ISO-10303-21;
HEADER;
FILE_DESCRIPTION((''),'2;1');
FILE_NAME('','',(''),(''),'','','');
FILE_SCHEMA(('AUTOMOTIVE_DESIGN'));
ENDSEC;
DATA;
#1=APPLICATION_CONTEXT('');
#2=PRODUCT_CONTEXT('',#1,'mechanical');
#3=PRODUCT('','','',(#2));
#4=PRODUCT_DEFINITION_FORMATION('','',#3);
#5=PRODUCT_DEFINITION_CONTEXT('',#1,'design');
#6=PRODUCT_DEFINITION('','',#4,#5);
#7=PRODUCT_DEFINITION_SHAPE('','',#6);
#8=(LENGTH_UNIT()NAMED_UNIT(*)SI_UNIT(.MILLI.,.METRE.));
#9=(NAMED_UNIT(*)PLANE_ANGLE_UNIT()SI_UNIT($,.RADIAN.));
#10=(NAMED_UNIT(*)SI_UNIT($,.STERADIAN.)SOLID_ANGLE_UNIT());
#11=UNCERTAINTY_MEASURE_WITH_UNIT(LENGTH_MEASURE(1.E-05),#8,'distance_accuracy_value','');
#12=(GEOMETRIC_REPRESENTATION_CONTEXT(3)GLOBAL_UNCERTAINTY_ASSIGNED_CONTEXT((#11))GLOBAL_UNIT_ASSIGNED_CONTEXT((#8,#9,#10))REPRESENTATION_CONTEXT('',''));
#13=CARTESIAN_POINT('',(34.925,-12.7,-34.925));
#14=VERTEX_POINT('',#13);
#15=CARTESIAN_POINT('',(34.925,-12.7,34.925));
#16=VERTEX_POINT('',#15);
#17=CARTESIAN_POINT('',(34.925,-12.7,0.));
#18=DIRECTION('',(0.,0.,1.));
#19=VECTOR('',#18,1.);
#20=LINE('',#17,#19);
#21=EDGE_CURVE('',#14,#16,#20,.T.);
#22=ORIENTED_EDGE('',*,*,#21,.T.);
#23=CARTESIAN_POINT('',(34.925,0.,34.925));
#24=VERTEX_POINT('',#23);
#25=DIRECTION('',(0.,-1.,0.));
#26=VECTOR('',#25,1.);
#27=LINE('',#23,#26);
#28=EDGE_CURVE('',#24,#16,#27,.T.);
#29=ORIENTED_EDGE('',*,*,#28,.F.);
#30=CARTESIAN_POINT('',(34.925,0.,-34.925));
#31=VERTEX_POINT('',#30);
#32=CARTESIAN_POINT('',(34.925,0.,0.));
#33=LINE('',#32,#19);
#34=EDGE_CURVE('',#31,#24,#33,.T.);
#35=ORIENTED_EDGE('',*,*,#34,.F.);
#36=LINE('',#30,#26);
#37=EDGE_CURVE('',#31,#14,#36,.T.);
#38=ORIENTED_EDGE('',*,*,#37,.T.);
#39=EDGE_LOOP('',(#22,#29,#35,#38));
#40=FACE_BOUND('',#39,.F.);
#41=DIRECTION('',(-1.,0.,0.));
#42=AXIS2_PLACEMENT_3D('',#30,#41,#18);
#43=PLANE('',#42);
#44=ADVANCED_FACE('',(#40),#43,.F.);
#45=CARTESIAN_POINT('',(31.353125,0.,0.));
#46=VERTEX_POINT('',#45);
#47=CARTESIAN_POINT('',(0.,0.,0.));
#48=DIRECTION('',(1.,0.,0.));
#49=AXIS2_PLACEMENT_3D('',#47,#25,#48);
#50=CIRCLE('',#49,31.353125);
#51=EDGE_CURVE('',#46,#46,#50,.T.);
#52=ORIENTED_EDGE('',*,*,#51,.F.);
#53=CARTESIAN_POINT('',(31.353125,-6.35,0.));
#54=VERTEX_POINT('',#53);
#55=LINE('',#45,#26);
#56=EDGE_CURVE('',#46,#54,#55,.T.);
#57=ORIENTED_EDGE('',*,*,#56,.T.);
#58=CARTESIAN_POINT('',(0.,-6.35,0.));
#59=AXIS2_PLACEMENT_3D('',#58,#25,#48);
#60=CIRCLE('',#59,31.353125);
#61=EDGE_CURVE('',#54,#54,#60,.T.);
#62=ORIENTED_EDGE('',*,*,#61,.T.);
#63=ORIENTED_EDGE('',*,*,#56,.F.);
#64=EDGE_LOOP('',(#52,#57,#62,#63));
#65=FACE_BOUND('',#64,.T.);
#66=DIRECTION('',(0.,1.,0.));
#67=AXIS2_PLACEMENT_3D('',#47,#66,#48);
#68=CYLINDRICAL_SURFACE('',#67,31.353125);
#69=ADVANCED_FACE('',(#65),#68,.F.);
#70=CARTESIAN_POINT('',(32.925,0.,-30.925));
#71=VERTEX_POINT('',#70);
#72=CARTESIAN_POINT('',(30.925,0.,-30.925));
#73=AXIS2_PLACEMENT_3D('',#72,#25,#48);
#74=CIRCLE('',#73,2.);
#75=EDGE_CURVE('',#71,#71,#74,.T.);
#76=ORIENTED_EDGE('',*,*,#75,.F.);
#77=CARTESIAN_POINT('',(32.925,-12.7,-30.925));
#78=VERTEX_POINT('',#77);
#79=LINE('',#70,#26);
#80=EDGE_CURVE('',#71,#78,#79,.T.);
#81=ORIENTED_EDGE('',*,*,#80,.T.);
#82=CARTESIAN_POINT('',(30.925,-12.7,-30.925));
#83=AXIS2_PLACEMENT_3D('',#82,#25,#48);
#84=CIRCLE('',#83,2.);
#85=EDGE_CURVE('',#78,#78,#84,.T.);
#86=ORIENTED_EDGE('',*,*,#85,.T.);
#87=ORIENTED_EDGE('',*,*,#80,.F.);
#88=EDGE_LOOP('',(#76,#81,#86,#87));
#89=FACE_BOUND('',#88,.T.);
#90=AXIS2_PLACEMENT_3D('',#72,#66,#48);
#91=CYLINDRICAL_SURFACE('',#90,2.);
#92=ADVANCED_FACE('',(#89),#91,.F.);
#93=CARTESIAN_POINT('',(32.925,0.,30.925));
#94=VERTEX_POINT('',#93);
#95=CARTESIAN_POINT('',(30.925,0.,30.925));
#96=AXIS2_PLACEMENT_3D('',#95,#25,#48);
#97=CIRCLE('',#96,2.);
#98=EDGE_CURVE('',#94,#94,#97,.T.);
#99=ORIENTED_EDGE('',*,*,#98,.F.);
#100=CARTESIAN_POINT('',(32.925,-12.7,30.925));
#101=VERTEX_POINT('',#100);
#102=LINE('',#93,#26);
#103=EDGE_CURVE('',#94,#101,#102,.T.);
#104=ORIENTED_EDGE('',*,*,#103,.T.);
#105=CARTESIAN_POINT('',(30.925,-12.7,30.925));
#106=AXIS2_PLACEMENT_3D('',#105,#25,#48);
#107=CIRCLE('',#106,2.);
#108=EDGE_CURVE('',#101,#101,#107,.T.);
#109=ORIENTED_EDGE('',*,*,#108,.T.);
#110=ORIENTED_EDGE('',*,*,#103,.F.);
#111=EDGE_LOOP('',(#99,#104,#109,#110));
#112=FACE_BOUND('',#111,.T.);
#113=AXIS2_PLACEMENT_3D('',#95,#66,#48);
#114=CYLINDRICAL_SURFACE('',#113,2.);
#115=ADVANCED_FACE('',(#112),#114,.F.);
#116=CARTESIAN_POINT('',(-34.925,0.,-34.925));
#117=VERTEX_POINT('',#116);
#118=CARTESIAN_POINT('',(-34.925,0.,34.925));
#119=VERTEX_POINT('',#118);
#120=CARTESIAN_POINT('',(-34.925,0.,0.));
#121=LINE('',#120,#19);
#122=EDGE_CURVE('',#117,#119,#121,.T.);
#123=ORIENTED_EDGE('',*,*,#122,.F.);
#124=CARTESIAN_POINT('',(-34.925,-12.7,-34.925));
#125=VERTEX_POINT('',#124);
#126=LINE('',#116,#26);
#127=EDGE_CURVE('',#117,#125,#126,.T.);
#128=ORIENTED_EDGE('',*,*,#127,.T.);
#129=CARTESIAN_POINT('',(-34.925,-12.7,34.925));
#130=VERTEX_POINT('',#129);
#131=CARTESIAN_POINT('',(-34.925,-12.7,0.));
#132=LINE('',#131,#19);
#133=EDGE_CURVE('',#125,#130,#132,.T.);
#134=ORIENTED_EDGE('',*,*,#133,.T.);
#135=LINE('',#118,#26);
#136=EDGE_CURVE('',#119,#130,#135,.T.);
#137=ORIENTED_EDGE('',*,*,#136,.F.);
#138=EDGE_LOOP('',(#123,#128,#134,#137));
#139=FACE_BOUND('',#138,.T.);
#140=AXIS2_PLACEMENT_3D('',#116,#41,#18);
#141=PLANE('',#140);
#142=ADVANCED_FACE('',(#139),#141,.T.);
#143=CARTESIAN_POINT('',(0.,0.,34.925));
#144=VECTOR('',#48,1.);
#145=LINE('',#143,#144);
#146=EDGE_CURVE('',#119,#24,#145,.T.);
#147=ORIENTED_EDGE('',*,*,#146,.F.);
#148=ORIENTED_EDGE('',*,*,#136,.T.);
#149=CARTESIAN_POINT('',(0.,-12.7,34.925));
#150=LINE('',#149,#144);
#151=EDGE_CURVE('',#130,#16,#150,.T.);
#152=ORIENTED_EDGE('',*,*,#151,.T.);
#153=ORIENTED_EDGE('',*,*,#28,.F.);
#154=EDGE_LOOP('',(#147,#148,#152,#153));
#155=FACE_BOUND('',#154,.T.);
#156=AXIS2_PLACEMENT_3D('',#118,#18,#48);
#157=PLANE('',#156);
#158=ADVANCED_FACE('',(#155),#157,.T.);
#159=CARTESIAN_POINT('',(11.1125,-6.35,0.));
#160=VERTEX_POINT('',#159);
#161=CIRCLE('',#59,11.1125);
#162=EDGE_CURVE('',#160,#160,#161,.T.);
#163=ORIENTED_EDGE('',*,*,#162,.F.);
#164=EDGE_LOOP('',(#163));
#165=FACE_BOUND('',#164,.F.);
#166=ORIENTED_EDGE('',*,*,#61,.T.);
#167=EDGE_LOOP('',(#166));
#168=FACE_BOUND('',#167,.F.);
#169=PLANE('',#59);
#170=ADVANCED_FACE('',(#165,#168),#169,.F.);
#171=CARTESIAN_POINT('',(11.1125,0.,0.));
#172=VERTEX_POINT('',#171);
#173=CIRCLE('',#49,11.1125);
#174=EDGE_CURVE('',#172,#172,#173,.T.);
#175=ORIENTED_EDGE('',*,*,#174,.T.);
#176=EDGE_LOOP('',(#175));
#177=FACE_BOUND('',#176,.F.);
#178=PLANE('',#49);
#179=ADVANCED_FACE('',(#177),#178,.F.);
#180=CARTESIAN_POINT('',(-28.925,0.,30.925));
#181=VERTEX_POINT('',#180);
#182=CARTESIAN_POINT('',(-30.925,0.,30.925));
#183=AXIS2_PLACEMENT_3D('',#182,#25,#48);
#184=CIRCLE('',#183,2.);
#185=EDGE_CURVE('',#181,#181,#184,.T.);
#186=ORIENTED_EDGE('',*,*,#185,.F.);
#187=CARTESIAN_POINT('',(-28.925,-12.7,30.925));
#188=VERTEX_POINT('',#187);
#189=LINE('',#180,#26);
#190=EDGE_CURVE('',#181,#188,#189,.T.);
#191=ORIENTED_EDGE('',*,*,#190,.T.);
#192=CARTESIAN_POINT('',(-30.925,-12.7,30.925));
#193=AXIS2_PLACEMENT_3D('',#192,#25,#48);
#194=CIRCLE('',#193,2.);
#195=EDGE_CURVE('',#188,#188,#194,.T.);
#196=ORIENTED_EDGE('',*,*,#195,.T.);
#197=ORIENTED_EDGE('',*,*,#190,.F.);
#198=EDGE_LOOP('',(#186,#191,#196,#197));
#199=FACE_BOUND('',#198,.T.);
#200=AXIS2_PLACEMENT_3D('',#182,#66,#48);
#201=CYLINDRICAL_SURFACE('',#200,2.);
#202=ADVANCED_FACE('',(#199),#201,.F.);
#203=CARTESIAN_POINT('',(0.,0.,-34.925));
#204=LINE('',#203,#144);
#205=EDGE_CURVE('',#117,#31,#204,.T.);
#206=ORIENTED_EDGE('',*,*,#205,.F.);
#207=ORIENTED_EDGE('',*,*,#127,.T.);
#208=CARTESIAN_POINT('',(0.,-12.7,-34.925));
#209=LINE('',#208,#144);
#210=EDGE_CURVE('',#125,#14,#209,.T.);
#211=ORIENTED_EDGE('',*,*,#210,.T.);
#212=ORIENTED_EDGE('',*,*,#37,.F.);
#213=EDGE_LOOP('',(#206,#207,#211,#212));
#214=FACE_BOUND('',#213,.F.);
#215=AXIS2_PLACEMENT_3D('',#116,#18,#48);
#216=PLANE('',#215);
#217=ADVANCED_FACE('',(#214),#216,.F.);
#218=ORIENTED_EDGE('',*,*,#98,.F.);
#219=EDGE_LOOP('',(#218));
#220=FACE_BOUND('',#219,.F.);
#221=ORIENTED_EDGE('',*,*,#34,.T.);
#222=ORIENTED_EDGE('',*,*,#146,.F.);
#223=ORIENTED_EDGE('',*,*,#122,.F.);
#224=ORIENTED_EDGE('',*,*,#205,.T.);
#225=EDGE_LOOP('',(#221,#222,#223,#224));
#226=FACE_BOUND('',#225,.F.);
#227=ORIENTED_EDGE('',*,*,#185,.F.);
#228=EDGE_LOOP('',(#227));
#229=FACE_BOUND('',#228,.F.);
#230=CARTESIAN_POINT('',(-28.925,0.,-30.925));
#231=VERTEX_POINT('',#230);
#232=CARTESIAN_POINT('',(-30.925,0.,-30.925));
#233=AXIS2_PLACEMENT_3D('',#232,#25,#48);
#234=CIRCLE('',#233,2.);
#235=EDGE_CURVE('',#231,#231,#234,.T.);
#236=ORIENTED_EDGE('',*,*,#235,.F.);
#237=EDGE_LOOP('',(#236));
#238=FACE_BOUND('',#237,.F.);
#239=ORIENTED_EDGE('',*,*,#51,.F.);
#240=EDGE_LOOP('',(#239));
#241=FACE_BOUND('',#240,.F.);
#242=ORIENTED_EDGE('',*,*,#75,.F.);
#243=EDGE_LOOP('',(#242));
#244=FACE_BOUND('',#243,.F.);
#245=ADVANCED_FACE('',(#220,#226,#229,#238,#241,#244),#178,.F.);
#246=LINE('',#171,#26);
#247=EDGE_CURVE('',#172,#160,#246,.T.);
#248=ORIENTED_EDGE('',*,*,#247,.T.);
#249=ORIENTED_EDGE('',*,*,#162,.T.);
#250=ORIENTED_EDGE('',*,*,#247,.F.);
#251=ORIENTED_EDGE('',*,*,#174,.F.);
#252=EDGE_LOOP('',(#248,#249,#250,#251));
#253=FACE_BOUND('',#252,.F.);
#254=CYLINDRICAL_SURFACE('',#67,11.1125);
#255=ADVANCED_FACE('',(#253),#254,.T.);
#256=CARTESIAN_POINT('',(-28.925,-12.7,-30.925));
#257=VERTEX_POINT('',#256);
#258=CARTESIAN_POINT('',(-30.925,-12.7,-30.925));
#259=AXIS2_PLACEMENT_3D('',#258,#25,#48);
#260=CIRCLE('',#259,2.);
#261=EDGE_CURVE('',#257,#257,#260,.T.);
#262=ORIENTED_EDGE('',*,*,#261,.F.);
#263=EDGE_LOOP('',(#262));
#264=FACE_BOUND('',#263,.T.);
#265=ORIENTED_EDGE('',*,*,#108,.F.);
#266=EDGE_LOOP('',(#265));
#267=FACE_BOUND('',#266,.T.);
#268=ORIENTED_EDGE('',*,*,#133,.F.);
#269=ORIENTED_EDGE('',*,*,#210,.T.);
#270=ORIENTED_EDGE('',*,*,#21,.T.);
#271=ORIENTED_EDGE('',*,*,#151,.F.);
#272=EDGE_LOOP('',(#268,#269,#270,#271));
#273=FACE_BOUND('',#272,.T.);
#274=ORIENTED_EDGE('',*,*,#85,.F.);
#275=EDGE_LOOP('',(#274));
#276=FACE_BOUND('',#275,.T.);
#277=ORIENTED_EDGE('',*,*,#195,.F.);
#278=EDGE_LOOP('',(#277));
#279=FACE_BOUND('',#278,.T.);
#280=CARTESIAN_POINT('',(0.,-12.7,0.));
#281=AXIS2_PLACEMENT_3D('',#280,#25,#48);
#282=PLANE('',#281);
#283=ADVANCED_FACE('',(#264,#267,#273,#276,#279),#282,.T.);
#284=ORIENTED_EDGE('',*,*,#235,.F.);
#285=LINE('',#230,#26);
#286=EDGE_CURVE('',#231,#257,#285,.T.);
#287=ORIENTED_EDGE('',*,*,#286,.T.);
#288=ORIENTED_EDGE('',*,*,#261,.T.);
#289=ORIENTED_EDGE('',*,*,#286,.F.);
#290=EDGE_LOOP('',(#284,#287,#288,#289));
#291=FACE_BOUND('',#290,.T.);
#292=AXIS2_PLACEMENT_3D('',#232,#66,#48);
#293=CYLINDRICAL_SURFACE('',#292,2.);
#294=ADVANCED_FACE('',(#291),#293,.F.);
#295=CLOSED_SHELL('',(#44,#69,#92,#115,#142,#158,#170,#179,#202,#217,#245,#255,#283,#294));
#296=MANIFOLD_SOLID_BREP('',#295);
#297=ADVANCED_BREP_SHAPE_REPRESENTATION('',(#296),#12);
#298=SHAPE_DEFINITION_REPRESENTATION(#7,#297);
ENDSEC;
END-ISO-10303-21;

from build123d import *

# Parameters (mm, degrees)
F0_W     = 69.85
F0_H     = 69.85
F0_R     = 2
F3_DEPTH = 12.7
F1_R     = 31.353125
F4_DEPTH = 6.35
F2_R     = 11.1125
F5_DEPTH = 6.35


with BuildPart() as f3:
    # F0 (on Front) → F3 (new body)
    with BuildSketch(Plane.XZ):
        Rectangle(F0_W, F0_H)
        with Locations((-30.925, -30.925)):
            Circle(F0_R, mode=Mode.SUBTRACT)
        with Locations((30.925, -30.925)):
            Circle(F0_R, mode=Mode.SUBTRACT)
        with Locations((-30.925, 30.925)):
            Circle(F0_R, mode=Mode.SUBTRACT)
        with Locations((30.925, 30.925)):
            Circle(F0_R, mode=Mode.SUBTRACT)
    extrude(amount=F3_DEPTH)

    # F1 (on Front) → F4 (cut)
    with BuildSketch(Plane.XZ):
        Circle(F1_R)
    extrude(amount=F4_DEPTH, mode=Mode.SUBTRACT)

    # F2 (on Front) → F5 (join)
    with BuildSketch(Plane.XZ):
        Circle(F2_R)
    extrude(amount=F5_DEPTH)


solid = f3.part
